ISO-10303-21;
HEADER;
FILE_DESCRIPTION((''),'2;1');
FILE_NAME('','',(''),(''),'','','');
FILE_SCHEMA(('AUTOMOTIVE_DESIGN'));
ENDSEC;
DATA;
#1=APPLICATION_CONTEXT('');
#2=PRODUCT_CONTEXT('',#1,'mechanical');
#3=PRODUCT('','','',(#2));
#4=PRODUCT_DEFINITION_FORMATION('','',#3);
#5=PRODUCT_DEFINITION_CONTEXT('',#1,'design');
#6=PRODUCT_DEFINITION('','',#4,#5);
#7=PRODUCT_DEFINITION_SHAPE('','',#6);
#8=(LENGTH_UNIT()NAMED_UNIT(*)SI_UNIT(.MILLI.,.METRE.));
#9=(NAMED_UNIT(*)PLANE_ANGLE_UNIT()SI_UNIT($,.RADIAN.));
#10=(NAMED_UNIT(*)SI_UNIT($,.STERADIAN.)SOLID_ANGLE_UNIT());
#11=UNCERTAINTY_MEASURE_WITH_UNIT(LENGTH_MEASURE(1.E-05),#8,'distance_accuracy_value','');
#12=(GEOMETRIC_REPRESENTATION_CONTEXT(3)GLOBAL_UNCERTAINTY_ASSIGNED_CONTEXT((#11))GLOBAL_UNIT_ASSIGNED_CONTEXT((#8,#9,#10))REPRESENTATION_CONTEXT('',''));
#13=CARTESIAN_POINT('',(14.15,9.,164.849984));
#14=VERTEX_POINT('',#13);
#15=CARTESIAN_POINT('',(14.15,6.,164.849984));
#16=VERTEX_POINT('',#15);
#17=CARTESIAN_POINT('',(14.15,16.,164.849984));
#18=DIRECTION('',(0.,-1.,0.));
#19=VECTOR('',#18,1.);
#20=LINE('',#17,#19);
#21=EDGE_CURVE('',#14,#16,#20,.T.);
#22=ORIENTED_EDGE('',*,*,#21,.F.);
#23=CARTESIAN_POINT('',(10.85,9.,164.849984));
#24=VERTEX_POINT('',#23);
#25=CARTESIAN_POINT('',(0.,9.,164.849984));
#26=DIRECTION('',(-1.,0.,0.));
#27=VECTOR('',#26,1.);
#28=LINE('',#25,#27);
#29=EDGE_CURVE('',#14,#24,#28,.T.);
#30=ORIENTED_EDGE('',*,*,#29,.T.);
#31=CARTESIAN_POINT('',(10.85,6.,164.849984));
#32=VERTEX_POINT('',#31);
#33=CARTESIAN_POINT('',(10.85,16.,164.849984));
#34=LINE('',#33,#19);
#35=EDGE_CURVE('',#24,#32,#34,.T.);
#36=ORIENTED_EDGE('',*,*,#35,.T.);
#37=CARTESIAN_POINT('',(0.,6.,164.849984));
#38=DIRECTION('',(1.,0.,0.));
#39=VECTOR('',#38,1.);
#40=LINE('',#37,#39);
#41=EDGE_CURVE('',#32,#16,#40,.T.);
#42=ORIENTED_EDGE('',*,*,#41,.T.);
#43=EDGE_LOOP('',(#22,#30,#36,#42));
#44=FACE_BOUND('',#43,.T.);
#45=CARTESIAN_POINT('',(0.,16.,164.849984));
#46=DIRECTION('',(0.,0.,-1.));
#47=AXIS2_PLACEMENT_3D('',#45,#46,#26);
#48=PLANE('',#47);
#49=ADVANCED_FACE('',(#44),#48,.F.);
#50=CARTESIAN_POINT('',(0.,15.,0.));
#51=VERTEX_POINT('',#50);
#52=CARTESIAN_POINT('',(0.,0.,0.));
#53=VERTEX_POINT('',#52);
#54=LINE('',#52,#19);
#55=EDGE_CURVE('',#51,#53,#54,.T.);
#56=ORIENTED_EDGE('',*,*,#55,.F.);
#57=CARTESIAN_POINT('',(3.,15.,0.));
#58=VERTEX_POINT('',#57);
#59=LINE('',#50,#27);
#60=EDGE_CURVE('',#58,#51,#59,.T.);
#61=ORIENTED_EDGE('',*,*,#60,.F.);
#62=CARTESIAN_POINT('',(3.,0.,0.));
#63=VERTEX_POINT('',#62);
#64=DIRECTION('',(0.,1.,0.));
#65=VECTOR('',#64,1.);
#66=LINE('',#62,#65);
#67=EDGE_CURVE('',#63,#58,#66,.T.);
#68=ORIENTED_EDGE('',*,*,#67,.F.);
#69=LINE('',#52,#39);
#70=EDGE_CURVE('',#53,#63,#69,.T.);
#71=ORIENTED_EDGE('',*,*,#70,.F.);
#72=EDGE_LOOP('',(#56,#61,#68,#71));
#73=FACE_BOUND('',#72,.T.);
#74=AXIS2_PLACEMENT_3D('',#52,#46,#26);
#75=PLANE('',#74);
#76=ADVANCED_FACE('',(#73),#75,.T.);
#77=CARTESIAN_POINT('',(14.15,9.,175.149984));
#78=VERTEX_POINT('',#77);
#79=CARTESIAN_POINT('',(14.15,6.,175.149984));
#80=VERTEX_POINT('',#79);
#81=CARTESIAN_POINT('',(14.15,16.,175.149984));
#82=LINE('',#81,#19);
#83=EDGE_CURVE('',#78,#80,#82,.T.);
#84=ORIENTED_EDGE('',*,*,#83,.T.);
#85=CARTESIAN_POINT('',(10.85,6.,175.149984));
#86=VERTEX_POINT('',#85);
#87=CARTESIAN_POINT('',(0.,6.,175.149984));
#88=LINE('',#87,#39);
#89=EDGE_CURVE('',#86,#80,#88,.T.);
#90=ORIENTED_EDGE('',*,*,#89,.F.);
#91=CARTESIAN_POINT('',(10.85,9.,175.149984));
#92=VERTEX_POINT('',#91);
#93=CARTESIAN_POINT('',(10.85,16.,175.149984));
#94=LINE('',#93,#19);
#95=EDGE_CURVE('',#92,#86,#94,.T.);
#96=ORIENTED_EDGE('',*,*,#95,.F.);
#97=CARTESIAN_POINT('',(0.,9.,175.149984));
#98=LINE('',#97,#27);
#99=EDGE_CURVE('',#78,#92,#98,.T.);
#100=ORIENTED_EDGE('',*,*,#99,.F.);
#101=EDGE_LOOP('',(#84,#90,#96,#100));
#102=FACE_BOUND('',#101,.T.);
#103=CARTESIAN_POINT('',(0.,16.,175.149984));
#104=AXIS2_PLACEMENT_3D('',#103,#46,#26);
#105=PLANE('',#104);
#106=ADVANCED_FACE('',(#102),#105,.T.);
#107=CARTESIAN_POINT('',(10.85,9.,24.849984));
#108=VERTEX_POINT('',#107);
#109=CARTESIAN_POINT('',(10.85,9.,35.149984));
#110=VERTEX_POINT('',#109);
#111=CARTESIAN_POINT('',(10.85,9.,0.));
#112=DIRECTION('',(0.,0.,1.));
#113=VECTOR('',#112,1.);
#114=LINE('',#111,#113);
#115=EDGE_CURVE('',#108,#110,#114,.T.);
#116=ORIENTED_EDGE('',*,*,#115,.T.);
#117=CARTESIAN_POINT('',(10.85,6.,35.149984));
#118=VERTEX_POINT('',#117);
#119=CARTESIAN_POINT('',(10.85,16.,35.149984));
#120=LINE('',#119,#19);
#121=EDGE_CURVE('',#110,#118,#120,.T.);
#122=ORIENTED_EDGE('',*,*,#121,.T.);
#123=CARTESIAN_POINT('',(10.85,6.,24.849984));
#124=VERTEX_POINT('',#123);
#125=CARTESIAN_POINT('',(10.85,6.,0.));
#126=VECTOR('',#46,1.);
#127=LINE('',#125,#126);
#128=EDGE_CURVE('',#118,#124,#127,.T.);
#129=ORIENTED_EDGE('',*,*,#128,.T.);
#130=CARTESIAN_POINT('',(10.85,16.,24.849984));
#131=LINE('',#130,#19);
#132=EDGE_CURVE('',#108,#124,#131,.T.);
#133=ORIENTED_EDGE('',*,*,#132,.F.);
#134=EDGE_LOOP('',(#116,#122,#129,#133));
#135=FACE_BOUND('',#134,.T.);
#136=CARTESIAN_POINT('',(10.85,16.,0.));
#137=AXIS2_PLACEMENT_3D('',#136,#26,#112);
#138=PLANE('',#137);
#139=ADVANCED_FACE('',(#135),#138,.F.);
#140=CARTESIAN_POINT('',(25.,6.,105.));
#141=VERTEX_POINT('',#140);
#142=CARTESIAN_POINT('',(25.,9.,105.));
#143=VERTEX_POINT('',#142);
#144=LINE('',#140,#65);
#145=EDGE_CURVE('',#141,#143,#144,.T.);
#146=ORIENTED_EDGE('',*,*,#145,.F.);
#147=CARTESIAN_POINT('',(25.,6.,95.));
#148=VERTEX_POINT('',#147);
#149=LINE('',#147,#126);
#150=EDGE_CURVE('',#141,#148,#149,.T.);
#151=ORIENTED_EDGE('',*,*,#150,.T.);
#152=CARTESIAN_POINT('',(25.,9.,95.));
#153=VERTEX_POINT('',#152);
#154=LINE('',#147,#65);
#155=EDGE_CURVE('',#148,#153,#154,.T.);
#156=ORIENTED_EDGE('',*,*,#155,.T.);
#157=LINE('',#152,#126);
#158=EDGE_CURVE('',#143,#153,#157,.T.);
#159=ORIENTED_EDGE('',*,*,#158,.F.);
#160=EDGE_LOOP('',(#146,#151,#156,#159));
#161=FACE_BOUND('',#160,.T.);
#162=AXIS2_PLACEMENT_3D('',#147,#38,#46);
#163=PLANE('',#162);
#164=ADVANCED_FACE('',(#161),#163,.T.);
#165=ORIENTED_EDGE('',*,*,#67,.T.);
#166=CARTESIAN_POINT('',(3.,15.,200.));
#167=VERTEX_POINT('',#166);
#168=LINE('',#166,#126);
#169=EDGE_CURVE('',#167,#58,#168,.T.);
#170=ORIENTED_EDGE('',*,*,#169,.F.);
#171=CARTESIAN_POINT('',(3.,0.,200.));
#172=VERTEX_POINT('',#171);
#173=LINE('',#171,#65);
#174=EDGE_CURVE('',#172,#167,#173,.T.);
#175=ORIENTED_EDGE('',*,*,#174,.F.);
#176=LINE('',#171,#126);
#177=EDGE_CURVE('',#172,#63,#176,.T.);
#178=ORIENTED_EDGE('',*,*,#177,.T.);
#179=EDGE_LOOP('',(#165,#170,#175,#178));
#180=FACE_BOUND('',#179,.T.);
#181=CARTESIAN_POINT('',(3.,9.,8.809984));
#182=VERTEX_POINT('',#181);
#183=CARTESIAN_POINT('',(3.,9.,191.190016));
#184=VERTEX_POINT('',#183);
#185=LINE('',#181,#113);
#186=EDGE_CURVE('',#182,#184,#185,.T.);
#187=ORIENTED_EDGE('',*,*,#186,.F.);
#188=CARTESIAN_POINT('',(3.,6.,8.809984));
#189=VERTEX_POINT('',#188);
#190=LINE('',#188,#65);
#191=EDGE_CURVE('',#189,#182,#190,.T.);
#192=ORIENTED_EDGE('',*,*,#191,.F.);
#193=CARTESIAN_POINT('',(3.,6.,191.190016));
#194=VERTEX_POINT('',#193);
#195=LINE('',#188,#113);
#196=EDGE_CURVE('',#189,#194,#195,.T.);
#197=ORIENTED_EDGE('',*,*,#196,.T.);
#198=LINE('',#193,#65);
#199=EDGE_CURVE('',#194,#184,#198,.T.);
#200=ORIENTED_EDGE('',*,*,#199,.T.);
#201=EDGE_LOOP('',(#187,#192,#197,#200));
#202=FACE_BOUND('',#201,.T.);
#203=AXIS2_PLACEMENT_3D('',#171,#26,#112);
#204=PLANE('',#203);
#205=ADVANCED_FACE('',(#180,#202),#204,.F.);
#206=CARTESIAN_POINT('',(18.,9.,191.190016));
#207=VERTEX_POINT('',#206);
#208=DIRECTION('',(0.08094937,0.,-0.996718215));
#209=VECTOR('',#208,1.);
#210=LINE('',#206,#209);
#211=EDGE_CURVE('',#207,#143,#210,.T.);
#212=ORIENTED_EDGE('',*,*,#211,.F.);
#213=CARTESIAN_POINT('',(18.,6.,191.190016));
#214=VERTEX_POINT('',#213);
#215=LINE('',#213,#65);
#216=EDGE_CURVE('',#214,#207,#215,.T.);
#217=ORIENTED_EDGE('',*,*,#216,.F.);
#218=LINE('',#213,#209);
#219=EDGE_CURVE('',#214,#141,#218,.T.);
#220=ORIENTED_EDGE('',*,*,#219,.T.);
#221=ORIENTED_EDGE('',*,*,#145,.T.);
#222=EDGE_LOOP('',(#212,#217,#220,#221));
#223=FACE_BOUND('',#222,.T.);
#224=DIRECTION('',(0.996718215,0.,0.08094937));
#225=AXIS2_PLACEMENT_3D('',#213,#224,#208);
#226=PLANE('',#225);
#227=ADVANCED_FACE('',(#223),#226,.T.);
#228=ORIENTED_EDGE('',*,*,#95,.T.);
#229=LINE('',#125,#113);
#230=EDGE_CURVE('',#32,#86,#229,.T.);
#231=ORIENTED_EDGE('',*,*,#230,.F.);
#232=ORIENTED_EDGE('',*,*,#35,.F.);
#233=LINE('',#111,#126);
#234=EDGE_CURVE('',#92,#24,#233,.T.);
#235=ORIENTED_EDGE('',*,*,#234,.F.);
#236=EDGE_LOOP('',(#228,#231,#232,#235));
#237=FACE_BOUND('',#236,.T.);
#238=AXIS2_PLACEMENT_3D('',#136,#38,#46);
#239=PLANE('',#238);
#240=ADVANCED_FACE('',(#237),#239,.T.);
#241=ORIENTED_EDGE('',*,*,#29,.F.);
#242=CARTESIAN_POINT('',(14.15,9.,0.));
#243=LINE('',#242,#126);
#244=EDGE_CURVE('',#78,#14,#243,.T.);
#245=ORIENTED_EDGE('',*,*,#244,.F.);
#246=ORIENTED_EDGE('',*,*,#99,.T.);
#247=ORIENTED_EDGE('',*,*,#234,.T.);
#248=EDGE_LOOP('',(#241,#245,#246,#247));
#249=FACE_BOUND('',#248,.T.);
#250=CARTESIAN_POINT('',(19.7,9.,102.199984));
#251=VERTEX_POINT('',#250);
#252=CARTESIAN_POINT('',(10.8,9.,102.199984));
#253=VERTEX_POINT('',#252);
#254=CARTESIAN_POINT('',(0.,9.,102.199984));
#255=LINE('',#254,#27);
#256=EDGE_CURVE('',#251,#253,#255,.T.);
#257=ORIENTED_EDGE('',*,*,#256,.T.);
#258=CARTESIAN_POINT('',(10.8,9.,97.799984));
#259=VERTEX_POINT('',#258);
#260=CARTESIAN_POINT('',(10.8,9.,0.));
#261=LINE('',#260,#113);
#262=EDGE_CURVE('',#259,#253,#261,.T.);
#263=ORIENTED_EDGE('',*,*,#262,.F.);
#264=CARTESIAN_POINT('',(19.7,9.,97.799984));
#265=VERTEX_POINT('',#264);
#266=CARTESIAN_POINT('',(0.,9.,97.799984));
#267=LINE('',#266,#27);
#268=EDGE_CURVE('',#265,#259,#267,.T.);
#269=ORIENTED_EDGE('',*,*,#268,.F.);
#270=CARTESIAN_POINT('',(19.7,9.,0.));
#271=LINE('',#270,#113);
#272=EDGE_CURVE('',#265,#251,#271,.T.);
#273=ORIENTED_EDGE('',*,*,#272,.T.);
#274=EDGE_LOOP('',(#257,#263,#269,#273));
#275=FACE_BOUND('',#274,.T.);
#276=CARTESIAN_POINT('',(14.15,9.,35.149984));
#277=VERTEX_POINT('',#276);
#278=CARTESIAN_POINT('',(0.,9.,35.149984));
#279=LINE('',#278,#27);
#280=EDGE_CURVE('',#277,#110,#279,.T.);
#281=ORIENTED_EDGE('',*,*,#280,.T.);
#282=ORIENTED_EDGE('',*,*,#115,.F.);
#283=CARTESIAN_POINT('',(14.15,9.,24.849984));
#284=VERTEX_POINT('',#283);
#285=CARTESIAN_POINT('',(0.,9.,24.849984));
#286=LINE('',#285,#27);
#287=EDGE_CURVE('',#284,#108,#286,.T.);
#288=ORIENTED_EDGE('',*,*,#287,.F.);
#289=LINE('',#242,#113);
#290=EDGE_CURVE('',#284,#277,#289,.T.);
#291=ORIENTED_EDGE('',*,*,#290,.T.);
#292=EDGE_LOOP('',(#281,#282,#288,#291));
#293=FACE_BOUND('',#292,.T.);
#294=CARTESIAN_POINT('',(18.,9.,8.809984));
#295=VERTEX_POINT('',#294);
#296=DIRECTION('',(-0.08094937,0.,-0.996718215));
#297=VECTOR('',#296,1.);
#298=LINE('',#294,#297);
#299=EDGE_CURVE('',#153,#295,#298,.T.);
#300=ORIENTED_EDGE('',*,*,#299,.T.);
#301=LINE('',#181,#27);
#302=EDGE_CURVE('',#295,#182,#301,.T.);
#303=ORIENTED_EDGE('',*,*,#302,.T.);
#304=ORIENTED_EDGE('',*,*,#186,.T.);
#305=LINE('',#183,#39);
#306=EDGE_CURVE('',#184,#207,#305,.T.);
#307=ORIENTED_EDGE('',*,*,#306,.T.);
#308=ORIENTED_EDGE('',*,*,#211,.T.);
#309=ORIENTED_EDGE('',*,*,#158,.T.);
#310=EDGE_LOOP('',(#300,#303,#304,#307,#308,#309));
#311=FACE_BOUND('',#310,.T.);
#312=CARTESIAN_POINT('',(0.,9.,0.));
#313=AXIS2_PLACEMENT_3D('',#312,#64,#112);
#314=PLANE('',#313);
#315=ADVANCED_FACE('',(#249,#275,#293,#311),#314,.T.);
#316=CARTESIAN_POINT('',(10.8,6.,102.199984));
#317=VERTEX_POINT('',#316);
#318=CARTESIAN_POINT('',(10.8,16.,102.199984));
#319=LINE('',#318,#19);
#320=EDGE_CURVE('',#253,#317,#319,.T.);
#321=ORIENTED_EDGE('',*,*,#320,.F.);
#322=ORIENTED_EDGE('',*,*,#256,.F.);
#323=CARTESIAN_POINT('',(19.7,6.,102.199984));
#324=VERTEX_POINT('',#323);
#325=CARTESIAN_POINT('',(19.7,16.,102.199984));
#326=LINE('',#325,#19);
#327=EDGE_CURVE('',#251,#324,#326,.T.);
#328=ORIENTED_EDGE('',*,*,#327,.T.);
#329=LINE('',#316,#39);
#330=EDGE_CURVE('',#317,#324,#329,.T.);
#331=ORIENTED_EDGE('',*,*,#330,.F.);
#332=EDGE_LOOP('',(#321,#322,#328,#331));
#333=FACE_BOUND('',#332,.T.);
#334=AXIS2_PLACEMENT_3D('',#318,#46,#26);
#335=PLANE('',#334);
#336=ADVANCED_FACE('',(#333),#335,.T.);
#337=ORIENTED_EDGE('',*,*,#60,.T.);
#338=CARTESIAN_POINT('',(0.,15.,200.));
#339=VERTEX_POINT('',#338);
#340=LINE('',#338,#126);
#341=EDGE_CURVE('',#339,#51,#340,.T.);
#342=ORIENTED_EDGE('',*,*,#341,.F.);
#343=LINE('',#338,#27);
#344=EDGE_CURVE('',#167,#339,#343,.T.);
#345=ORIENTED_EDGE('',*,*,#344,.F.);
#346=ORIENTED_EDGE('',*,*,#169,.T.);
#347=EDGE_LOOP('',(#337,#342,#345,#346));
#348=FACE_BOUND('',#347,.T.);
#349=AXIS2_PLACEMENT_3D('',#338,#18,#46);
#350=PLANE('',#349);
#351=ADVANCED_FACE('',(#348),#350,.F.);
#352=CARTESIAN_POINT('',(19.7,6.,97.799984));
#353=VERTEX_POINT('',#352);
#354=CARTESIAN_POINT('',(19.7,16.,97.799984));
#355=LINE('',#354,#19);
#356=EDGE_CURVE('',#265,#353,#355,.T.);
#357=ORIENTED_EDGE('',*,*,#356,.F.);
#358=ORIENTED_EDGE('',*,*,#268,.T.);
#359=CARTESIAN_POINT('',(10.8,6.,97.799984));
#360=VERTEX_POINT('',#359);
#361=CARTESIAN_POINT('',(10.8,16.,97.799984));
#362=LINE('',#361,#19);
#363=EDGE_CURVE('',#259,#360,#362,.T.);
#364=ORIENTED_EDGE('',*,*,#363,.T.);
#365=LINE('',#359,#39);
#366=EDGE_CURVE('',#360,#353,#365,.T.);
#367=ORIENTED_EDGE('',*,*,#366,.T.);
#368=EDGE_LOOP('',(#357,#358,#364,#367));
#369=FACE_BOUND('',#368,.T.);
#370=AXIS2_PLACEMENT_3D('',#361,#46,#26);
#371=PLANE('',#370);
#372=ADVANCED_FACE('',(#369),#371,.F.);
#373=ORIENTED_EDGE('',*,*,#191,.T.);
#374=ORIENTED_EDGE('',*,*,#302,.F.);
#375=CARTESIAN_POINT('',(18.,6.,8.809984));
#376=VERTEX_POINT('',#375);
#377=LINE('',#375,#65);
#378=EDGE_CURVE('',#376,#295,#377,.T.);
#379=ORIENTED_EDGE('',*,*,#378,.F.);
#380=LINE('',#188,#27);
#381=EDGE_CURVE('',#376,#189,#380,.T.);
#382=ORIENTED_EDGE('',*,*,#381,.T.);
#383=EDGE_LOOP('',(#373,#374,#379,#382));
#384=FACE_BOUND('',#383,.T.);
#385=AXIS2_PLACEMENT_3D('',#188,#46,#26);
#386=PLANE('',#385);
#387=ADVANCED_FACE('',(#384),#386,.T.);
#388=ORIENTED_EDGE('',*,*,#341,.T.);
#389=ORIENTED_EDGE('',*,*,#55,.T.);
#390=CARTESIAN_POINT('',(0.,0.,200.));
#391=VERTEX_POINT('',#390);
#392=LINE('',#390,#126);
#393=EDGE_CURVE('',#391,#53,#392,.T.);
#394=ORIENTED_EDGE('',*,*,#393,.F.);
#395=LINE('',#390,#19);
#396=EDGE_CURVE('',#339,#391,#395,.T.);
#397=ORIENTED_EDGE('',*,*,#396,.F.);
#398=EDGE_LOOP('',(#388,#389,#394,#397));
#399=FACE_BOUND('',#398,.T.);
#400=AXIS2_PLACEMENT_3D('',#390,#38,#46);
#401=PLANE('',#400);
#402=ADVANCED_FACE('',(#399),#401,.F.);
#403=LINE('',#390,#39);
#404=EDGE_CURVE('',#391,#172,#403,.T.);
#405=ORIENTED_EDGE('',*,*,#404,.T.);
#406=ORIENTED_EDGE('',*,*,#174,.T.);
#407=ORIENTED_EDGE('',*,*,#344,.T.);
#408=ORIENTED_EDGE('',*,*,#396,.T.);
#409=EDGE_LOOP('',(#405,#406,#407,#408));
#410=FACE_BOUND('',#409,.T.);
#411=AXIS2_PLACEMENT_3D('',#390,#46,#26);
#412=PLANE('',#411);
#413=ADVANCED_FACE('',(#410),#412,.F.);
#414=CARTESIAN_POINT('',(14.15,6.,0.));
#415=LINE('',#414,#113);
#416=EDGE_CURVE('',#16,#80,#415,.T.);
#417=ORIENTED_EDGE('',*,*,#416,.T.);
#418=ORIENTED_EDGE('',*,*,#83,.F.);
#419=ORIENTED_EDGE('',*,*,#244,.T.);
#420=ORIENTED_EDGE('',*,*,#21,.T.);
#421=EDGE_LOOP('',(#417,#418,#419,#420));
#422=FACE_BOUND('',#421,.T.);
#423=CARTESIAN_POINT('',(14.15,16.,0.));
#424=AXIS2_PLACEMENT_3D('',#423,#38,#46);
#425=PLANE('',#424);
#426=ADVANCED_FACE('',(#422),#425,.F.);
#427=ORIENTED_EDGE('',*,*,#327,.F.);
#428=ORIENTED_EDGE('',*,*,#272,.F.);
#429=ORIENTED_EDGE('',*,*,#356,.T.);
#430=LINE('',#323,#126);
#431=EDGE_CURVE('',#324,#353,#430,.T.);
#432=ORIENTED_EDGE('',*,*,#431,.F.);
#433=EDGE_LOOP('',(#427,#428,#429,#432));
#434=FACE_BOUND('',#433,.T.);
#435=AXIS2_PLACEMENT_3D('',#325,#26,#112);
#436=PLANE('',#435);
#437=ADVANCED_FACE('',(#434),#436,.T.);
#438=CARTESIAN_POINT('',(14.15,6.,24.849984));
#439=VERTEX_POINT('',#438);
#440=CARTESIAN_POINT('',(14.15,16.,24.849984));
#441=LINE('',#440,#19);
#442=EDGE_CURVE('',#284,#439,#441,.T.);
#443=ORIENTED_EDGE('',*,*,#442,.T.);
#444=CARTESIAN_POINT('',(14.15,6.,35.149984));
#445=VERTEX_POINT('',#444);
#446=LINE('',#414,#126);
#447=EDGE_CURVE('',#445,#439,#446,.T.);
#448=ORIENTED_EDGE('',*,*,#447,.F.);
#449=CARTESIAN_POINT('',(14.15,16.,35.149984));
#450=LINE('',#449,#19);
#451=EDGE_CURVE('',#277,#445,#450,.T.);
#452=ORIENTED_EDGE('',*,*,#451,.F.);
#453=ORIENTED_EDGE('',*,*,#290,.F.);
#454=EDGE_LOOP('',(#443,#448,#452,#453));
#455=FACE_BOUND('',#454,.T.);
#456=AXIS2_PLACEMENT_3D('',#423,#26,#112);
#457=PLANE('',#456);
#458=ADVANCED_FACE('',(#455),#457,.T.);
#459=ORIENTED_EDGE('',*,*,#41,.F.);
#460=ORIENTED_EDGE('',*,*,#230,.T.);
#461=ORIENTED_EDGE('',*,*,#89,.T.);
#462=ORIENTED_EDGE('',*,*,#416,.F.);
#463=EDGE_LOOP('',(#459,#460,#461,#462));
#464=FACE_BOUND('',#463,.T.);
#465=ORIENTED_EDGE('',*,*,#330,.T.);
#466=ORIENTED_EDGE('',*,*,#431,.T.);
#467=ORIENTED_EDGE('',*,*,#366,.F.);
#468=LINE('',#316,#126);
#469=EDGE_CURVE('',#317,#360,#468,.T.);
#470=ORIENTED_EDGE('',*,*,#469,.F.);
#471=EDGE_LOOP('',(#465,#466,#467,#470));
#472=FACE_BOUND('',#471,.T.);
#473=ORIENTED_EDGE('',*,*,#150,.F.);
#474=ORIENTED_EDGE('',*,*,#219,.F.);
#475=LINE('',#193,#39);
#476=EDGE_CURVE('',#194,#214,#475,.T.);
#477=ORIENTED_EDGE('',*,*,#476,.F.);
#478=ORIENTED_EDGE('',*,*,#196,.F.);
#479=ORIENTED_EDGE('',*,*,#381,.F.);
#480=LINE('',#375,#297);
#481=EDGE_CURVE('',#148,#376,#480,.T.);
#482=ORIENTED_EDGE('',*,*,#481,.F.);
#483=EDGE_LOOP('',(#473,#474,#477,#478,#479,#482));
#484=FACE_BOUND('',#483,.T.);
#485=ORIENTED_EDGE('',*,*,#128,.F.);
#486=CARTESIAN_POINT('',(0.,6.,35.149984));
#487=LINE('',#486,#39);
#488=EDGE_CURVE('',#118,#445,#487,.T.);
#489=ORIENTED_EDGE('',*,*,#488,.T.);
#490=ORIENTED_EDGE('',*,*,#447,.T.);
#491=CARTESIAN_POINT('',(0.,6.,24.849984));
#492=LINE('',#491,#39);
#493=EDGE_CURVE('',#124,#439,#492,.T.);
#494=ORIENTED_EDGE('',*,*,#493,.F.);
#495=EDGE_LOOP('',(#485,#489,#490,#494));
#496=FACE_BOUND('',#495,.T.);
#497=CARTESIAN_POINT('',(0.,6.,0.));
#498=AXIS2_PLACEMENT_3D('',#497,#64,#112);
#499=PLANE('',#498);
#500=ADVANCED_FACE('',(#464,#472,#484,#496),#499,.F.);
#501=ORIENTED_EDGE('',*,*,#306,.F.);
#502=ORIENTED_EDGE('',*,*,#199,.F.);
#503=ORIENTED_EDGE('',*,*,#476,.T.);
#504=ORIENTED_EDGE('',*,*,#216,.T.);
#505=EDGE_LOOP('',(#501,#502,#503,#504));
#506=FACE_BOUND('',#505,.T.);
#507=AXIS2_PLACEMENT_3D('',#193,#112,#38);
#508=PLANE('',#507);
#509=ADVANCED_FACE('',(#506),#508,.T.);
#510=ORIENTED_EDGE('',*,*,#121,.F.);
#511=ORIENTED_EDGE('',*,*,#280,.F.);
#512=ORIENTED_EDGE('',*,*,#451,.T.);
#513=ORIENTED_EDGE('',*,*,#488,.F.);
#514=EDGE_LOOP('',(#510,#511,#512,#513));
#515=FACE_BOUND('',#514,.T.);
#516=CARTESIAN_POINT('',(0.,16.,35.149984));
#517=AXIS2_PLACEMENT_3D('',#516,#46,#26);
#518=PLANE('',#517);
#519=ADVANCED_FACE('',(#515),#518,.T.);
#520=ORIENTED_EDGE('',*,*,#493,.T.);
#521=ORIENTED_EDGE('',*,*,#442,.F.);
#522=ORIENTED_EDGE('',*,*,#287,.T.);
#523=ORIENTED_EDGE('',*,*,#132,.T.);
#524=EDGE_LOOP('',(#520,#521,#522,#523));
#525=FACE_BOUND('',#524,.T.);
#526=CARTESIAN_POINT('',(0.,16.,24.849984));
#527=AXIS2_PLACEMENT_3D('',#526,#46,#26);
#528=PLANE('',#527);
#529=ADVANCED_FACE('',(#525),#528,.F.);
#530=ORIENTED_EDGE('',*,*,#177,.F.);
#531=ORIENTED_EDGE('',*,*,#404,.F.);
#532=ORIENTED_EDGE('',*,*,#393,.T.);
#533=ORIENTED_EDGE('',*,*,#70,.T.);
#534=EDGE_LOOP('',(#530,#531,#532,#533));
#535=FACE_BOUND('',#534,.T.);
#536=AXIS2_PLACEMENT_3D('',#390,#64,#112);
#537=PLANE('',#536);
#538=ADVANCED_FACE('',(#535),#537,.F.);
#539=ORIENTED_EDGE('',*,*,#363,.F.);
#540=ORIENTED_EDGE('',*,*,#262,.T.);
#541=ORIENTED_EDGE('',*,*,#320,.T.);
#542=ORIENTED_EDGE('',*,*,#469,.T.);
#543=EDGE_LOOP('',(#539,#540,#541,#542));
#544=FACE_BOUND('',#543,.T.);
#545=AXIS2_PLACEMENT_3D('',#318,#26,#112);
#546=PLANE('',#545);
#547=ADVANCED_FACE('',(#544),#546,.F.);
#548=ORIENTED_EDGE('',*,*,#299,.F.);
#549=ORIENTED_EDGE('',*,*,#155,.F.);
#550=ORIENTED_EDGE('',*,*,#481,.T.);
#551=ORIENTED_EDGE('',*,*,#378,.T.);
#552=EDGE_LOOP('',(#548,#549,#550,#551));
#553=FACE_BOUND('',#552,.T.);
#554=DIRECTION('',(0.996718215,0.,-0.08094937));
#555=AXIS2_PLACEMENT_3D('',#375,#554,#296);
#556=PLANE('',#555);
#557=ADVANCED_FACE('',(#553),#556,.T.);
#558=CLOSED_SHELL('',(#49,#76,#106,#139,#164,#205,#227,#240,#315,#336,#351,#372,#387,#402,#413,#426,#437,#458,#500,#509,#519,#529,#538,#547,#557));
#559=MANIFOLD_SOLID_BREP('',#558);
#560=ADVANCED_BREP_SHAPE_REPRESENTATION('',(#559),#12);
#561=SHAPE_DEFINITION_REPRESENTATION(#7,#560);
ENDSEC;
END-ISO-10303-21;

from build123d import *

# Parameters (mm, degrees)
SKETCH_1_W          = 3
SKETCH_1_H          = 15
EXTRUDE_1_DEPTH     = 200
EXTRUDE_7_DEPTH     = 3
SKETCH_13_W         = 3.3
SKETCH_13_H         = 10.3
SKETCH_13_W_2       = 8.9
SKETCH_13_H_2       = 4.4
CUT_EXTRUDE_1_DEPTH = 10


with BuildPart() as part:
    # 草图1 → 凸台-拉伸1 (new body)
    with BuildSketch(Plane.XY):
        with Locations((1.5, 7.5)):
            Rectangle(SKETCH_1_W, SKETCH_1_H)
    extrude(amount=EXTRUDE_1_DEPTH)

    # 草图12 → 凸台-拉伸7 (add)
    with BuildSketch(Plane(origin=(0, 9, 0), x_dir=(1, 0, 0), z_dir=(0, 1, 0))):
        Polygon((18, -191.190016229), (25, -105), (25, -95), (18, -8.809983771), (3, -8.809983771), (3, -191.190016229), align=None)
    extrude(amount=-EXTRUDE_7_DEPTH)

    # 草图13 → 切除-拉伸1 (cut)
    with BuildSketch(Plane.XZ.offset(-6)):
        with Locations((12.5, 29.999983771)):
            Rectangle(SKETCH_13_W, SKETCH_13_H)
        with Locations((12.5, 169.999983771)):
            Rectangle(SKETCH_13_W, SKETCH_13_H)
        with Locations((15.25, 99.999983771)):
            Rectangle(SKETCH_13_W_2, SKETCH_13_H_2)
    extrude(amount=-CUT_EXTRUDE_1_DEPTH, mode=Mode.SUBTRACT)


solid = part.part
